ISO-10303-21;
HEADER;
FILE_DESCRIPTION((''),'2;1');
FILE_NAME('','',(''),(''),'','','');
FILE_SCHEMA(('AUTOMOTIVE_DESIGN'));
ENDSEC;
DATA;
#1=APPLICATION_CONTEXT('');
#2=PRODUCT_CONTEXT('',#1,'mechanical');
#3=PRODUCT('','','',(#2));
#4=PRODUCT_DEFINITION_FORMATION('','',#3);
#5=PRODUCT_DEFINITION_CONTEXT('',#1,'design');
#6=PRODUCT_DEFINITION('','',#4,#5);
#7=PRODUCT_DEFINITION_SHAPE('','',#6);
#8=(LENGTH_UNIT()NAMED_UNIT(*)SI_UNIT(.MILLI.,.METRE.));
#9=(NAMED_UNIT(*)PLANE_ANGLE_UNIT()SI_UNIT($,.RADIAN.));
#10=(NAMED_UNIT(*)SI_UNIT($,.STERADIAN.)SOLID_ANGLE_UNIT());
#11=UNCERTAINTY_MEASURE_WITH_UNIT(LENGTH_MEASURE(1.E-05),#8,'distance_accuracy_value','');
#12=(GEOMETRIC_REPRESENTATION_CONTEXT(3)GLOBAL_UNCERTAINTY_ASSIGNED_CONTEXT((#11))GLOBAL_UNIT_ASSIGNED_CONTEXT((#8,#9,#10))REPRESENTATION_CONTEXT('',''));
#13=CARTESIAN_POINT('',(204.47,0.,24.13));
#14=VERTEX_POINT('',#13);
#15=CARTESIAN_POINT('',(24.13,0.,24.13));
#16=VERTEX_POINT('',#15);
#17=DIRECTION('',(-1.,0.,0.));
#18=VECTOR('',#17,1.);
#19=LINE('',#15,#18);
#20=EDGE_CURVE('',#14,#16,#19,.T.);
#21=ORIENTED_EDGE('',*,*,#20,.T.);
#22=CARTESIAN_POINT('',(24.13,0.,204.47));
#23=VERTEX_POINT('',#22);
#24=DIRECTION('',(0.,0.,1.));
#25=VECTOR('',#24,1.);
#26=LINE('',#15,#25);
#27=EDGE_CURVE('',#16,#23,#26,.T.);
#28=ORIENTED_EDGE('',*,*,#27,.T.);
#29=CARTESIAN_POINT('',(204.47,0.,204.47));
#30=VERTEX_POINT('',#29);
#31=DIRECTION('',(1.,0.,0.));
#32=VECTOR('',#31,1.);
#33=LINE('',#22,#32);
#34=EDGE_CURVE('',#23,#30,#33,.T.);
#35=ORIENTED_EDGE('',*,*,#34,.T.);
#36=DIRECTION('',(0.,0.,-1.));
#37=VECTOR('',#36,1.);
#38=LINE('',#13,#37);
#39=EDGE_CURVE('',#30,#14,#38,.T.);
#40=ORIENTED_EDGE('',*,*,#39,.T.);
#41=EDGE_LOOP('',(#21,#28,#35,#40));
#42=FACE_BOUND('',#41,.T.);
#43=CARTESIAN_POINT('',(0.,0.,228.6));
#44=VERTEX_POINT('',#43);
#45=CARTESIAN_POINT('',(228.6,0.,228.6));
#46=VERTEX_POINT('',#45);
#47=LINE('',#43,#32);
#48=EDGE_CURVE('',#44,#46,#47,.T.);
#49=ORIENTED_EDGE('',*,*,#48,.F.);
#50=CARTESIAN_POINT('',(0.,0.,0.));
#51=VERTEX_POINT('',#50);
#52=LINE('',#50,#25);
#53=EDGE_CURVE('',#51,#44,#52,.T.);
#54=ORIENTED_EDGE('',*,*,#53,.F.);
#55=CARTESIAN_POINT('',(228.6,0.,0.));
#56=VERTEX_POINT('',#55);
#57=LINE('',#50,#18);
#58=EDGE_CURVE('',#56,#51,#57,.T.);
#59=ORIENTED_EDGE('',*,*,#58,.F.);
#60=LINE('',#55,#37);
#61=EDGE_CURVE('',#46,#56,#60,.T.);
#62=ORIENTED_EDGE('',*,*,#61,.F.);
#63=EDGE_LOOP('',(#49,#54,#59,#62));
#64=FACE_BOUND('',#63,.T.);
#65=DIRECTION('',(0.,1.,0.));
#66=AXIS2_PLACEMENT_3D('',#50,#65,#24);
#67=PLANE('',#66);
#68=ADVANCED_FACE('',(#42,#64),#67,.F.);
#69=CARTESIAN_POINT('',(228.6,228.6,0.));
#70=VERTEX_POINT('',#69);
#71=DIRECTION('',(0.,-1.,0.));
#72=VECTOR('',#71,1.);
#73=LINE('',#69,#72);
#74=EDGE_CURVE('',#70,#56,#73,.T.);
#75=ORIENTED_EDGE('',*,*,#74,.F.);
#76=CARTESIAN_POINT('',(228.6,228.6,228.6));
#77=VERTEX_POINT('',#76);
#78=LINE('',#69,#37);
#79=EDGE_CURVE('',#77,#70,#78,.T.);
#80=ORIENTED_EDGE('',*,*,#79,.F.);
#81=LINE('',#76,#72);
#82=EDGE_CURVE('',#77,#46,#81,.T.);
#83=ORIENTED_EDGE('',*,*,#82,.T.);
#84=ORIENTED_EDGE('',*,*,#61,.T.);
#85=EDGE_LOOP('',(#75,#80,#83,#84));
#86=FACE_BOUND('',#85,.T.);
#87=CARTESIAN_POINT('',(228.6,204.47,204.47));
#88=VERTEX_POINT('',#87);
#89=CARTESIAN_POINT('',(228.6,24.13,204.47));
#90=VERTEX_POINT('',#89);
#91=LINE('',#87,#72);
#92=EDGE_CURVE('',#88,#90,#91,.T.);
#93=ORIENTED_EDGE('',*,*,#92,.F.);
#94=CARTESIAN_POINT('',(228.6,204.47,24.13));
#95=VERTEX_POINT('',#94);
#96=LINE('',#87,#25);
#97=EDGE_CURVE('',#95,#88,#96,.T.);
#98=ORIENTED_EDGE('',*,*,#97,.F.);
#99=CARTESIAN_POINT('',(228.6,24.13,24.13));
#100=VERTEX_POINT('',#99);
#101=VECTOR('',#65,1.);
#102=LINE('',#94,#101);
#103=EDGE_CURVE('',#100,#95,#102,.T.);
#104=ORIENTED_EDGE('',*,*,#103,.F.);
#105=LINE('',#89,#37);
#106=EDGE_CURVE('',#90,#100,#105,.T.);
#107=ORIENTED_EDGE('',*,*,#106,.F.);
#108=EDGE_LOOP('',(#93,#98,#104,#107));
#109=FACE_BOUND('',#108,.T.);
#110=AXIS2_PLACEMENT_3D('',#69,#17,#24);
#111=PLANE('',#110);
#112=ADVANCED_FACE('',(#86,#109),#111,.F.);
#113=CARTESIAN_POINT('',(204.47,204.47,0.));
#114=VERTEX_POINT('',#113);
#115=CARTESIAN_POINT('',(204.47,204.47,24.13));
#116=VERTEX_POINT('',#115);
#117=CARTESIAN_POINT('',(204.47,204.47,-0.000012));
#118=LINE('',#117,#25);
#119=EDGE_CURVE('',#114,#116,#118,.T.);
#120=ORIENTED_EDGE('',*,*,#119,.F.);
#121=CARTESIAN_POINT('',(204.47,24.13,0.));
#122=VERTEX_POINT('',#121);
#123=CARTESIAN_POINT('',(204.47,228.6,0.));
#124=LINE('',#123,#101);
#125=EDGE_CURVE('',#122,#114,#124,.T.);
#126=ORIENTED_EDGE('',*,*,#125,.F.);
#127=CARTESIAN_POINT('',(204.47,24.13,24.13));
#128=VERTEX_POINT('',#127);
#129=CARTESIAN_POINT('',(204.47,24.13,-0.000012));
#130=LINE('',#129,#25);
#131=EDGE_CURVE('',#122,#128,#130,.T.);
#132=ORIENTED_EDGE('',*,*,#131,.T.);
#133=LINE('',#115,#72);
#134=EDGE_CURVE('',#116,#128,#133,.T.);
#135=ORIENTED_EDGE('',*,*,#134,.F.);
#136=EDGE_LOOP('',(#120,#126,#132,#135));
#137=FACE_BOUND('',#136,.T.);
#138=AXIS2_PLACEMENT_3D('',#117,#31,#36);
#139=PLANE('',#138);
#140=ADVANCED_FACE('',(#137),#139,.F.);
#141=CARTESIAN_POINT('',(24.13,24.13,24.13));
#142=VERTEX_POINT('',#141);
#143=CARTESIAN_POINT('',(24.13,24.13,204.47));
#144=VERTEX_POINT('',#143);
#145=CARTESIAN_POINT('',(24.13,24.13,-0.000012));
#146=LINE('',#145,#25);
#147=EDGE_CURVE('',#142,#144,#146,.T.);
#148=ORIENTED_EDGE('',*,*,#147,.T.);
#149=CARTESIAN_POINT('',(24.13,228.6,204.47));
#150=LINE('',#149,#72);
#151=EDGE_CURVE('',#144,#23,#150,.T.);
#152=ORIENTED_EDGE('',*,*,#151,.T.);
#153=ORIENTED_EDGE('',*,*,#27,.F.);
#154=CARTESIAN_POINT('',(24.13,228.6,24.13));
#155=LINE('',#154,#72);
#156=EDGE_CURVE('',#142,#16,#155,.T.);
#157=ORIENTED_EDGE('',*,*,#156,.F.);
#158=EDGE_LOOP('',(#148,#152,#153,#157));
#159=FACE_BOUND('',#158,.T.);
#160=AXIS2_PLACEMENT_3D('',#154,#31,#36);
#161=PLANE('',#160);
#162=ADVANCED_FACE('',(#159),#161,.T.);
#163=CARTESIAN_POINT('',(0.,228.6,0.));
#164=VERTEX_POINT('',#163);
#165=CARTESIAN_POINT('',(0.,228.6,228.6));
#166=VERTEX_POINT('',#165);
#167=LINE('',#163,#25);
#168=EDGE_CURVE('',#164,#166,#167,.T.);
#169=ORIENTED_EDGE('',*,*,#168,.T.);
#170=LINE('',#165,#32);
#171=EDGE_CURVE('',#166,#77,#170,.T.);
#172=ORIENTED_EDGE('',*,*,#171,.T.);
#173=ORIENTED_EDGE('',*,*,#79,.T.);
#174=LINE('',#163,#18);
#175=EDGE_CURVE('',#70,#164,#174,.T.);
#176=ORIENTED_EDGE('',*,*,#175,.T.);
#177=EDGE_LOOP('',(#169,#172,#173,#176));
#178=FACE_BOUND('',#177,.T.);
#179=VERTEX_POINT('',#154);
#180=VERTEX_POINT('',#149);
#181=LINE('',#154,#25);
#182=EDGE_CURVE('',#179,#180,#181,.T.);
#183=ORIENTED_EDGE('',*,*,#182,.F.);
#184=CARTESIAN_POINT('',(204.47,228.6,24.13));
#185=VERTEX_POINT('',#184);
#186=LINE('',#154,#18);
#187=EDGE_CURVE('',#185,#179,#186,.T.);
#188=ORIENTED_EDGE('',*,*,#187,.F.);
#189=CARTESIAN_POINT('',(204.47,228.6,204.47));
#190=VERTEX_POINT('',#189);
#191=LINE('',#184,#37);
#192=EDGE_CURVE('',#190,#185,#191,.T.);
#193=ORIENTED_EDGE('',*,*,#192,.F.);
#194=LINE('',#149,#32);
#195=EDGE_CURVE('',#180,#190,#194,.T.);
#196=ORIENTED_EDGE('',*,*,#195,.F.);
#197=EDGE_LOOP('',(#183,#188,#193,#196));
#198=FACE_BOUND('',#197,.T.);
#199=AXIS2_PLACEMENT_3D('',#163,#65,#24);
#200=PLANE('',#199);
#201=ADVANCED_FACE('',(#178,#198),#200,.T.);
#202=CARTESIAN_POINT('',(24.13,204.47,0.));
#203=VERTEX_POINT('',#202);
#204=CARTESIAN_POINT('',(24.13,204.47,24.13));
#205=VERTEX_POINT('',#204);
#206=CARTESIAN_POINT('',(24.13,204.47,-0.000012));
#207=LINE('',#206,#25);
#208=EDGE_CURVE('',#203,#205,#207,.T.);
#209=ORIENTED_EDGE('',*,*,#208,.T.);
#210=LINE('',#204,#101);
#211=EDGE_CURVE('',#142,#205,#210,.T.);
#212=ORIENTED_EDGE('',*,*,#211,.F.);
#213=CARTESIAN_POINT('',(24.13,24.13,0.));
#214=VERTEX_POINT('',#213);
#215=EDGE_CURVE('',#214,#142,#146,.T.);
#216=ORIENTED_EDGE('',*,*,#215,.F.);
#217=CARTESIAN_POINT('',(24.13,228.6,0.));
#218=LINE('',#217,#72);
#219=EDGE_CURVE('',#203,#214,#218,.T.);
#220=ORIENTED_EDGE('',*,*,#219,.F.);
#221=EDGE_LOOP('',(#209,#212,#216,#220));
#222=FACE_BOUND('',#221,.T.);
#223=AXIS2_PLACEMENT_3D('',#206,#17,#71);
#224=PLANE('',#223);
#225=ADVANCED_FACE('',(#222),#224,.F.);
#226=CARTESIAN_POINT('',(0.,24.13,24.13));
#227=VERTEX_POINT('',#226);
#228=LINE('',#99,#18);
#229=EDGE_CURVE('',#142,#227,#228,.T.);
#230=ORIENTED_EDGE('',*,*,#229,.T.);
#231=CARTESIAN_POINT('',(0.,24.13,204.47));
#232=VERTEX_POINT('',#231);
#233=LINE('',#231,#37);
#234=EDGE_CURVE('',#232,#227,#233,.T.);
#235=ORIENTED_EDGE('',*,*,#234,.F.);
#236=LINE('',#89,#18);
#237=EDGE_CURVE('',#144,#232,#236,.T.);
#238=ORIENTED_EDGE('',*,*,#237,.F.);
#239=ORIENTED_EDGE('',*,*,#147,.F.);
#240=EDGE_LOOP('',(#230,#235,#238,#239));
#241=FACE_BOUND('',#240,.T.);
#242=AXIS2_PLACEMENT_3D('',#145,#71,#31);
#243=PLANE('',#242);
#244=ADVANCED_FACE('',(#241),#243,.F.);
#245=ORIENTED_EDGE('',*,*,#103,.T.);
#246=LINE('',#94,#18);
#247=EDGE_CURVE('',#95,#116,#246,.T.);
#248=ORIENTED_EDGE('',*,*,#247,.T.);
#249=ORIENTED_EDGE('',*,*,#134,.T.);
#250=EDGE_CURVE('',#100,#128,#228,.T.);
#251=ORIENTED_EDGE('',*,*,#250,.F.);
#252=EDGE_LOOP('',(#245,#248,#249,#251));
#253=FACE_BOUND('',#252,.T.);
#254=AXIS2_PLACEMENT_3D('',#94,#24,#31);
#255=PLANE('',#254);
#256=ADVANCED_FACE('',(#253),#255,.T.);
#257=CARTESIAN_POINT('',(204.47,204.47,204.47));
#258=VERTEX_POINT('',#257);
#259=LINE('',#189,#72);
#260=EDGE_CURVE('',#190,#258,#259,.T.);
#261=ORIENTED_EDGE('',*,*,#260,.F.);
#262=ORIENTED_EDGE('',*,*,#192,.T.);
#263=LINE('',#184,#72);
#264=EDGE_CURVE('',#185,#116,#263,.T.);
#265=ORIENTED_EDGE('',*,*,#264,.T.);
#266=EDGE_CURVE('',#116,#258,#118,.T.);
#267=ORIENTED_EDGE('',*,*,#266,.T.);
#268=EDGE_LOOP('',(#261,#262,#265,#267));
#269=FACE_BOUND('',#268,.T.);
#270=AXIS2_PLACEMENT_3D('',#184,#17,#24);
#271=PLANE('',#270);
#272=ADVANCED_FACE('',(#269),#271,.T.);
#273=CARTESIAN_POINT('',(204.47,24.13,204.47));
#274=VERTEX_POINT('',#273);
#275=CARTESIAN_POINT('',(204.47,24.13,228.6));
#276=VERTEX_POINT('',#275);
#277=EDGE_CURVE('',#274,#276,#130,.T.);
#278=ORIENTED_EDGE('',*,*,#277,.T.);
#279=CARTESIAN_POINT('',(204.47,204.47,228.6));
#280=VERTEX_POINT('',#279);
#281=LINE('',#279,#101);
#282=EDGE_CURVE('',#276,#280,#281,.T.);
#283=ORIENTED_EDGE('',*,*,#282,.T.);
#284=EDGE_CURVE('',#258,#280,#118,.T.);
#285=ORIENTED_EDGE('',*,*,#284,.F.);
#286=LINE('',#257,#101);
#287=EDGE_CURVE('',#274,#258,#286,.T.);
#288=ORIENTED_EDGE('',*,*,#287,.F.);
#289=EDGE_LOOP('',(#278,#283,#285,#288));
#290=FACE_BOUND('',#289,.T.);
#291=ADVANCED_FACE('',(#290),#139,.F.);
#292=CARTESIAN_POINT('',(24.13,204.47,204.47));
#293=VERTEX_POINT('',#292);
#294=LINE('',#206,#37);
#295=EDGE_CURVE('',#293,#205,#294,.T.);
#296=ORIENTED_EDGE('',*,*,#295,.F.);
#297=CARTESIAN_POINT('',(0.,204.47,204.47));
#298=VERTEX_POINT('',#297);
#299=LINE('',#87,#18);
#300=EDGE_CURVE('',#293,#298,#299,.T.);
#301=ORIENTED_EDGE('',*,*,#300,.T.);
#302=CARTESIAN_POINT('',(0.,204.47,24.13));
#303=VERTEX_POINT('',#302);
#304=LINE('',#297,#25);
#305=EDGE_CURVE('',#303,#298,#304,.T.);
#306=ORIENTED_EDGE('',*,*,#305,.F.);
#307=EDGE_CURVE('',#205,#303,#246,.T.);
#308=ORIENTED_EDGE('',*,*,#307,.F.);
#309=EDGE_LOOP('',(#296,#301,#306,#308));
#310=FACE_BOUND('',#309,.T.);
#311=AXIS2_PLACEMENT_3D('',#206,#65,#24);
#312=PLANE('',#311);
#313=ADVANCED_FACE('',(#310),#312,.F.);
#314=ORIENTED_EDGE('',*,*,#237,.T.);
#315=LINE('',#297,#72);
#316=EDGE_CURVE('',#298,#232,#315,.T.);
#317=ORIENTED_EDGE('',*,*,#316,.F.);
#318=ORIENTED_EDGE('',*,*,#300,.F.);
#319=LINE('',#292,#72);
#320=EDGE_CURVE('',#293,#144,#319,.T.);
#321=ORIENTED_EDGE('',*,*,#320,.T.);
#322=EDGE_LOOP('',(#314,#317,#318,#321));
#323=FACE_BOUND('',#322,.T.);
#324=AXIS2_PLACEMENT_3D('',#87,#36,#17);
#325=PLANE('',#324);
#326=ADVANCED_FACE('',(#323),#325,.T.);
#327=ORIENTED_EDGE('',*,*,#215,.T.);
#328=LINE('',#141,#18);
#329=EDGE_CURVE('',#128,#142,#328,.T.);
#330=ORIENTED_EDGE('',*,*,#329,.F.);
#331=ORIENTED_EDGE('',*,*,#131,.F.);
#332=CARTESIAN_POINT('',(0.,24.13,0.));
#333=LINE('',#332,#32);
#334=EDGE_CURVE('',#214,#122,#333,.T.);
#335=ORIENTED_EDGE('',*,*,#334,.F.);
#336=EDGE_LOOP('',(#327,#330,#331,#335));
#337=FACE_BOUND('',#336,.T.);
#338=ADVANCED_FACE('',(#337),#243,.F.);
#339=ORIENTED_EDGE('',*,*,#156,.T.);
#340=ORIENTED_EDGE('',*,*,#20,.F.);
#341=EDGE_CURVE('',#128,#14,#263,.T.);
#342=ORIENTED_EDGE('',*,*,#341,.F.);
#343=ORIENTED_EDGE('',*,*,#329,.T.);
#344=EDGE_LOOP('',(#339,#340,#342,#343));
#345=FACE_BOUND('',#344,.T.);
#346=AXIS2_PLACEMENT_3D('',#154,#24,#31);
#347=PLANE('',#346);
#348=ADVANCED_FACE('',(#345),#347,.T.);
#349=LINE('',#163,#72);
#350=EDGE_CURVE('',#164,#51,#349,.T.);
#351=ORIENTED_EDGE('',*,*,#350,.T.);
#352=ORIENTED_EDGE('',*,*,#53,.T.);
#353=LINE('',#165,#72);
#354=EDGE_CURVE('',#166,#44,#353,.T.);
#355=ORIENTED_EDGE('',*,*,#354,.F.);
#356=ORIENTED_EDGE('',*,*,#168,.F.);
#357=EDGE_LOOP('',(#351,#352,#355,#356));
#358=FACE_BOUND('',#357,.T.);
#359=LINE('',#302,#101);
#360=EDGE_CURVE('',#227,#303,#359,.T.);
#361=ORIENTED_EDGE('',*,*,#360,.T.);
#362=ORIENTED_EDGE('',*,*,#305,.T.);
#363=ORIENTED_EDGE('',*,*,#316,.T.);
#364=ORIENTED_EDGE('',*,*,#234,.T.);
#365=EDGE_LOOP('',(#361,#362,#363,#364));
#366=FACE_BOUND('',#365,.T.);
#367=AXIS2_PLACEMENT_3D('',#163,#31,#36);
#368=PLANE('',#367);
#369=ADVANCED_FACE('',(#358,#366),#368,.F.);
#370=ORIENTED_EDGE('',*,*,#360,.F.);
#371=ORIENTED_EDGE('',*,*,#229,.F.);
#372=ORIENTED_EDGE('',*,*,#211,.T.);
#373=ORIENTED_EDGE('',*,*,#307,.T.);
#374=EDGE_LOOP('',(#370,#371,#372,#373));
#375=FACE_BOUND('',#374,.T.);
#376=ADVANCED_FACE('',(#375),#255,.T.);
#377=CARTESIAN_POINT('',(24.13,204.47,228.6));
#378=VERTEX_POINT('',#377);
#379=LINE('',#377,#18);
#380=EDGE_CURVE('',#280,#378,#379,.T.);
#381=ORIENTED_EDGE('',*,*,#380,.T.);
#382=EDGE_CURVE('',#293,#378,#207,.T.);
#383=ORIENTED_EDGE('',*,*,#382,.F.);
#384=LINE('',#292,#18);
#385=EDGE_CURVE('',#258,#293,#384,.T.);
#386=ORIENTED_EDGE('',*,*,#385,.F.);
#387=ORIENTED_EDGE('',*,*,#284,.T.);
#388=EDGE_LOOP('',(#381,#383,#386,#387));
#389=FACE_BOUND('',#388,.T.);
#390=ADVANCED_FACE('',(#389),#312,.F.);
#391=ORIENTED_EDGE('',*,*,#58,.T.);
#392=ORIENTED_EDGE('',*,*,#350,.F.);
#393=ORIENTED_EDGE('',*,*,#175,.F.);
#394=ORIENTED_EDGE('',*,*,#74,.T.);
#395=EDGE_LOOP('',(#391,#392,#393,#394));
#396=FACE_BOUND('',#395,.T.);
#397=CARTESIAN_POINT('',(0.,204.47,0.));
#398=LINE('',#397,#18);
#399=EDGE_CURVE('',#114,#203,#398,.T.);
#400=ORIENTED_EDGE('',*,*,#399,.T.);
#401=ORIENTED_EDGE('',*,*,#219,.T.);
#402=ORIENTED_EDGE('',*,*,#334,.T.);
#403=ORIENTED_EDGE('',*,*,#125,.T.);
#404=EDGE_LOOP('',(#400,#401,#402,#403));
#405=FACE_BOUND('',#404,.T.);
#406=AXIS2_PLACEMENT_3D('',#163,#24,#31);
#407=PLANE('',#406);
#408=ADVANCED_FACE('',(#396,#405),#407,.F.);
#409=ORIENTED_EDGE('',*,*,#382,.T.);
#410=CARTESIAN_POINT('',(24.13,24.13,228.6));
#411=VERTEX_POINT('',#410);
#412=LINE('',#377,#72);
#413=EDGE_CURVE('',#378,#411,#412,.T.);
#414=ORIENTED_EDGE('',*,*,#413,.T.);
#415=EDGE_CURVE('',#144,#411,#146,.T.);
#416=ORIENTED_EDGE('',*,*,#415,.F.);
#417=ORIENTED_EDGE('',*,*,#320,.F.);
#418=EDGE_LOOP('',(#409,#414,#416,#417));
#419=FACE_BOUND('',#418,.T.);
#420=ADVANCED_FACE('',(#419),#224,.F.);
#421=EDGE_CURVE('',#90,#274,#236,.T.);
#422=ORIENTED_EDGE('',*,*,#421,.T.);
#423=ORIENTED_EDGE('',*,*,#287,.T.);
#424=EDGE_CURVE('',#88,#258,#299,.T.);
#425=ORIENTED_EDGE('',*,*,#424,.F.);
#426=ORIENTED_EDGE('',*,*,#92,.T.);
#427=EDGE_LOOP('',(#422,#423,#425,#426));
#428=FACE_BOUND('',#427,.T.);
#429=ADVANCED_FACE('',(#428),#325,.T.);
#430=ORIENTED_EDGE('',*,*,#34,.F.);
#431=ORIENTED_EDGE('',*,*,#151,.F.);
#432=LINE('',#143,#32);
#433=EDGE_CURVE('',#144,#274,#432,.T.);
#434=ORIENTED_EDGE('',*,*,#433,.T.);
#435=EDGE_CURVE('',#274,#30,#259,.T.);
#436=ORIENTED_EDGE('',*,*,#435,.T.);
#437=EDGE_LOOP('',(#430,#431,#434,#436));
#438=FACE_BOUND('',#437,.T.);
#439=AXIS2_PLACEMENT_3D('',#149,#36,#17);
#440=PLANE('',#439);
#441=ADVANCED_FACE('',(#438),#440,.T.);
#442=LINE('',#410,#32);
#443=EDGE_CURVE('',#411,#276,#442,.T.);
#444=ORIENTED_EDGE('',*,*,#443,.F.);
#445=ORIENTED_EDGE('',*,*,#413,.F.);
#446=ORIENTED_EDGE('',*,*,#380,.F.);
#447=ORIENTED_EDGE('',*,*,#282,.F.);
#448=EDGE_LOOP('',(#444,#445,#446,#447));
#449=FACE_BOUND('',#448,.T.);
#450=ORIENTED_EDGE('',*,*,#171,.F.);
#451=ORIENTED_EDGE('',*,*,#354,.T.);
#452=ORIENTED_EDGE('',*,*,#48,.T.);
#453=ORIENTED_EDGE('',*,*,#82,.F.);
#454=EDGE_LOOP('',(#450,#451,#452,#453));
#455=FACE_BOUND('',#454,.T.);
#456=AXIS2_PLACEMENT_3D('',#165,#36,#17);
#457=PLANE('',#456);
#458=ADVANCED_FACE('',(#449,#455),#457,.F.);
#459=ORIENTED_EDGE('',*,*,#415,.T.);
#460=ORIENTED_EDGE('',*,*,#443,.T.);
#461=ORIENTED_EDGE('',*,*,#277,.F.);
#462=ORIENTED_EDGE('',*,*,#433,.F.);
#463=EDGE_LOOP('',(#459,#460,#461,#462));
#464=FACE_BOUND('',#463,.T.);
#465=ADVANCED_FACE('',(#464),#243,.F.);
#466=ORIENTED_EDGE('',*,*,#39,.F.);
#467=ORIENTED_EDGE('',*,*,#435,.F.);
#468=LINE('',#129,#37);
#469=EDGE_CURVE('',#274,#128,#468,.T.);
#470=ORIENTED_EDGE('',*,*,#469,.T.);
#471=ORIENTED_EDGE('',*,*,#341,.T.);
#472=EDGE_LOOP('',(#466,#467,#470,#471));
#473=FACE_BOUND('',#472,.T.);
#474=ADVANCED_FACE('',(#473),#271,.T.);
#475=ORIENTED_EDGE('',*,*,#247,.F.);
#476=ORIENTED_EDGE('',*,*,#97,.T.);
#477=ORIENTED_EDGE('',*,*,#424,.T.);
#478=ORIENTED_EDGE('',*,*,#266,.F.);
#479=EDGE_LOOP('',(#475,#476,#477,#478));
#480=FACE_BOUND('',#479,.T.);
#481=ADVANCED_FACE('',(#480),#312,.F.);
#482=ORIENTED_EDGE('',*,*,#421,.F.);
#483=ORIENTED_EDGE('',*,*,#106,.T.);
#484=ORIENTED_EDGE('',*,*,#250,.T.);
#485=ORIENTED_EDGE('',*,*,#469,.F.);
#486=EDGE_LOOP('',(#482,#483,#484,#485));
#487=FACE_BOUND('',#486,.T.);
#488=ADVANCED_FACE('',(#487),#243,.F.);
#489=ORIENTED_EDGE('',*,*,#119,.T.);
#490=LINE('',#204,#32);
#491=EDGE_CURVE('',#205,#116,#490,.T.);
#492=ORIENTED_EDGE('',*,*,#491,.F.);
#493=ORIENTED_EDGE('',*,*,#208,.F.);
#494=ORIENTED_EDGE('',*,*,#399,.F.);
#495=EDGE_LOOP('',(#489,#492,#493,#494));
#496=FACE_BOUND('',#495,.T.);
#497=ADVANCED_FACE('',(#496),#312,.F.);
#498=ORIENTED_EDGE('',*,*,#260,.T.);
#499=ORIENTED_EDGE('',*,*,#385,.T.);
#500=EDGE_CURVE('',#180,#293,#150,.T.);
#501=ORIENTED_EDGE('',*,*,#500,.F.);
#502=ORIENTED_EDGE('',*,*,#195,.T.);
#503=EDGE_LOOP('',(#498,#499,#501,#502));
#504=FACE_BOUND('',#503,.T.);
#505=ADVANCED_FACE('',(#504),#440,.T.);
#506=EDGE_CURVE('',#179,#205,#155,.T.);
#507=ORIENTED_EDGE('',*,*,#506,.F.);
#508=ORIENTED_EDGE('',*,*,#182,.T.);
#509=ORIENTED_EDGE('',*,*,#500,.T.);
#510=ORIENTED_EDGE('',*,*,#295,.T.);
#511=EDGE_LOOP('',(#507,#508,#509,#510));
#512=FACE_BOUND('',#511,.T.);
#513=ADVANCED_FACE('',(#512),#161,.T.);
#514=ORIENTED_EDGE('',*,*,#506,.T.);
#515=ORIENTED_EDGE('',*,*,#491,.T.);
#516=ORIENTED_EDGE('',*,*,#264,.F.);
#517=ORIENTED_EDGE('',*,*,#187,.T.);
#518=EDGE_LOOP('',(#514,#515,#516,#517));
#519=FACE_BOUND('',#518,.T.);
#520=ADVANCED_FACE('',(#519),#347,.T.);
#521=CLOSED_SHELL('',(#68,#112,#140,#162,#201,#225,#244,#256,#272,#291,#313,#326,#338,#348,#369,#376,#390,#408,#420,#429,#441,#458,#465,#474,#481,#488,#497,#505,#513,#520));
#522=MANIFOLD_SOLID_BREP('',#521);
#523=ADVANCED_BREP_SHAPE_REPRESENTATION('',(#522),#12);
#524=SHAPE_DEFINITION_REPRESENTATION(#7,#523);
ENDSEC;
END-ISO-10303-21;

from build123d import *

# Parameters (mm, degrees)
SKETCH1_W               = 228.6
SKETCH1_H               = 228.6
BOSS_EXTRUDE1_DEPTH     = 228.6
CUT_EXTRUDE2_DEPTH      = 396.94681461
CUT_EXTRUDE2_DEPTH_BACK = 396.94681461
SKETCH2_W               = 180.34
SKETCH2_H               = 180.34
SKETCH3_W               = 180.34
SKETCH3_H               = 180.34
CUT_EXTRUDE4_DEPTH      = 396.94681461
SKETCH4_W               = 180.34
SKETCH4_H               = 180.34
CUT_EXTRUDE5_DEPTH      = 396.94681461


with BuildPart() as part:
    # Sketch1 → Boss-Extrude1 (new body)
    with BuildSketch(Plane(origin=(0, 0, 0), x_dir=(1, 0, 0), z_dir=(0, 1, 0))):
        with Locations((114.3, -114.3)):
            Rectangle(SKETCH1_W, SKETCH1_H)
    extrude(amount=BOSS_EXTRUDE1_DEPTH)

    # Sketch2 → Cut-Extrude2 (cut, two sides: drawn at the far end of the back side and taken through both)
    with BuildSketch(Plane.XY.offset(-CUT_EXTRUDE2_DEPTH_BACK)):
        with Locations((114.3, 114.3)):
            Rectangle(SKETCH2_W, SKETCH2_H)
    extrude(amount=CUT_EXTRUDE2_DEPTH + CUT_EXTRUDE2_DEPTH_BACK, mode=Mode.SUBTRACT)

    # Sketch3 → Cut-Extrude4 (cut, through all)
    with BuildSketch(Plane(origin=(0, 0, 0), x_dir=(0, 0, -1), z_dir=(1, 0, 0))):
        with Locations((-114.3, 114.3)):
            Rectangle(SKETCH3_W, SKETCH3_H)
    extrude(amount=CUT_EXTRUDE4_DEPTH, mode=Mode.SUBTRACT)

    # Sketch4 → Cut-Extrude5 (cut, through all)
    with BuildSketch(Plane(origin=(0, 0, 0), x_dir=(1, 0, 0), z_dir=(0, 1, 0))):
        with Locations((114.3, -114.3)):
            Rectangle(SKETCH4_W, SKETCH4_H)
    extrude(amount=CUT_EXTRUDE5_DEPTH, mode=Mode.SUBTRACT)


solid = part.part
